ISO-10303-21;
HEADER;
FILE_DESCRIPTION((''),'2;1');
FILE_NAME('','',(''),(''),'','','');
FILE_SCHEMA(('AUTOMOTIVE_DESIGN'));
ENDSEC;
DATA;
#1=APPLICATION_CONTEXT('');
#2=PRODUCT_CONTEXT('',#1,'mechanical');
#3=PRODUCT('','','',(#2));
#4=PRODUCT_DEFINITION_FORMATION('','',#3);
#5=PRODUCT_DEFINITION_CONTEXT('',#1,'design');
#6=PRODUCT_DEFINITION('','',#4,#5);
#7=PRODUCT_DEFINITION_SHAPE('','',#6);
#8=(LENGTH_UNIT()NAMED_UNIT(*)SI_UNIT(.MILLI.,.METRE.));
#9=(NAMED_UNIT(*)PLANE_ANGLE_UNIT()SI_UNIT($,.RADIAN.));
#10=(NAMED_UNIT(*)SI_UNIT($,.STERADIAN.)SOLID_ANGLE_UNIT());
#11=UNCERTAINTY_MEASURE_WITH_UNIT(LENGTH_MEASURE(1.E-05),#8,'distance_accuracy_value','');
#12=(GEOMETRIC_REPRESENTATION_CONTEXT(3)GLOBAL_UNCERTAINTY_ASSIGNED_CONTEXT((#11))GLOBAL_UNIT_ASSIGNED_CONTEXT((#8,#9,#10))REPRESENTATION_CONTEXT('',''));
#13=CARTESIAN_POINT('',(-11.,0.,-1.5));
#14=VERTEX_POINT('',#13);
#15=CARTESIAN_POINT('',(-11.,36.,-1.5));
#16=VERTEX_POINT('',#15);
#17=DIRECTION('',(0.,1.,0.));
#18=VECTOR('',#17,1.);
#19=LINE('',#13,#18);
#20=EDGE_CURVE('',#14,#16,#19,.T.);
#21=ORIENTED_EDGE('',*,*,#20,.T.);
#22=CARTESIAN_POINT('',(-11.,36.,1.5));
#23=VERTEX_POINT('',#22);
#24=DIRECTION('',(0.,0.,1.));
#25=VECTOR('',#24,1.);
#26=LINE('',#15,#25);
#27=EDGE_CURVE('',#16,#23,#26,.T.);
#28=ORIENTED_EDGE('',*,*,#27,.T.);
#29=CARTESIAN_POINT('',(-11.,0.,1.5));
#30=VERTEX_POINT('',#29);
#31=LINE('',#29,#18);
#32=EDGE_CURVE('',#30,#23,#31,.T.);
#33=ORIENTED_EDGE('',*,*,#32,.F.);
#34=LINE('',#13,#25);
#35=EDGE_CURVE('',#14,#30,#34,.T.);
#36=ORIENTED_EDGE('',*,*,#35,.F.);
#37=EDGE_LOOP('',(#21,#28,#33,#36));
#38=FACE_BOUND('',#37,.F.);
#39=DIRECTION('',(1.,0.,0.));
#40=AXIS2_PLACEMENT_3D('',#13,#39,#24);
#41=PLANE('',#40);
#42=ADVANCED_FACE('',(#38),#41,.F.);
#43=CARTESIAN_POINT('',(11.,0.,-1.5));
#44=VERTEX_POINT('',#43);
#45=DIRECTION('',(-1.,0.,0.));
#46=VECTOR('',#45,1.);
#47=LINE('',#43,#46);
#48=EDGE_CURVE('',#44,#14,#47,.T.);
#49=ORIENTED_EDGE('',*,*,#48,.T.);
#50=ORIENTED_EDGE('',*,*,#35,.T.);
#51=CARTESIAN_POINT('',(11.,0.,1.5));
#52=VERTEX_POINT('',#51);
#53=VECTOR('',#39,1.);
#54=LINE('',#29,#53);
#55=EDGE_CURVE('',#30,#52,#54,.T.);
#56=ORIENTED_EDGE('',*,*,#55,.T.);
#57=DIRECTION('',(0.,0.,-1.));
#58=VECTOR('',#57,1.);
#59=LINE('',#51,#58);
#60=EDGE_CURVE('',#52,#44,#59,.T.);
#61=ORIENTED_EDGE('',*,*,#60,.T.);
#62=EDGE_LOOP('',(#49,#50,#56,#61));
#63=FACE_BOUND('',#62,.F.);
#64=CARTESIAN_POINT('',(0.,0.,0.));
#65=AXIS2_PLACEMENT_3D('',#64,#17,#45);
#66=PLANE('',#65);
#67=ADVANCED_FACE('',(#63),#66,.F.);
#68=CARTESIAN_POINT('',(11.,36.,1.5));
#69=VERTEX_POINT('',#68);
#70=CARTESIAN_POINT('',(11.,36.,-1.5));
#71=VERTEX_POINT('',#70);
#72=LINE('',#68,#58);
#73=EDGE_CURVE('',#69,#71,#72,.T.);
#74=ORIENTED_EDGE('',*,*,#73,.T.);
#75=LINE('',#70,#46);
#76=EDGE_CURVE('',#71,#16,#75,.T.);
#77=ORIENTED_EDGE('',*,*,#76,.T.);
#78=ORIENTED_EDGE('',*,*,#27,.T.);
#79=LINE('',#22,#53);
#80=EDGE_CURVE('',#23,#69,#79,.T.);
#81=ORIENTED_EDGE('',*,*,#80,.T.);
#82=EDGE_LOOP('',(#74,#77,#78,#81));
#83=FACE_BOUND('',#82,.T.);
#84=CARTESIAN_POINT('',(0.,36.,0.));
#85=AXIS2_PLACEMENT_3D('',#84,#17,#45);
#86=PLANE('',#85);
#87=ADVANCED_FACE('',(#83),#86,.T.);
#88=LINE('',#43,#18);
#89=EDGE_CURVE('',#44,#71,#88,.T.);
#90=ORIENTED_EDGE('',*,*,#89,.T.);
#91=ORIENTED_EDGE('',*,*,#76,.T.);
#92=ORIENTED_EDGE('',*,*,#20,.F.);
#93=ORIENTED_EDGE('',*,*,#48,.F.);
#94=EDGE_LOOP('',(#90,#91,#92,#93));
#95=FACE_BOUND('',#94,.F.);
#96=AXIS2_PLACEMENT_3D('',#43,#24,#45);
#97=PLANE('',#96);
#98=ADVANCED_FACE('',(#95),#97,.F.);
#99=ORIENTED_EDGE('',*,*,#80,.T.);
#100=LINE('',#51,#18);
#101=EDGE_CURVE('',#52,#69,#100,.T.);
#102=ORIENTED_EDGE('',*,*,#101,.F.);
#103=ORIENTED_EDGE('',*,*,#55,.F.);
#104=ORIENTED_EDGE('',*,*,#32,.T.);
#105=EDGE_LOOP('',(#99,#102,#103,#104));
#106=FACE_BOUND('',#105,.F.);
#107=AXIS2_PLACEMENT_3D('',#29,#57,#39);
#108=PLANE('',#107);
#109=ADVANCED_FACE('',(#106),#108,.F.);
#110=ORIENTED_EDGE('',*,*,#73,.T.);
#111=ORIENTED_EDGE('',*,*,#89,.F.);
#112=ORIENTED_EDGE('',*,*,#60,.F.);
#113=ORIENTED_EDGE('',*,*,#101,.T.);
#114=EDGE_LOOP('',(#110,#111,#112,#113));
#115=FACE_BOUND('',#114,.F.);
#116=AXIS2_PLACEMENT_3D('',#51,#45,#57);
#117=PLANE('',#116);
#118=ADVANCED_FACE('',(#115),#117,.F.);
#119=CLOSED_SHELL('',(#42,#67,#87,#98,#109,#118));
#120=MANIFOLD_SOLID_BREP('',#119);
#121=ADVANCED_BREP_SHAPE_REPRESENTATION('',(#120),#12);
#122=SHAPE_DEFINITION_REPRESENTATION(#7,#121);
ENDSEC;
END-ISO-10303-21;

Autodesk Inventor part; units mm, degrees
ref_plane "YZ Plane" through (0, 0, 0) normal (1, 0, 0) x (0, 1, 0)
ref_plane "XZ Plane" through (0, 0, 0) normal (0, 1, 0) x (-1, 0, 0)
ref_plane "XY Plane" through (0, 0, 0) normal (0, 0, 1) x (1, 0, 0)
sketch "Boceto1" plane through (0, 0, 0) normal (0, 1, 0) x (-1, 0, 0)
  line L0 (-11, -1.5) -> (11, -1.5)
  line L1 (11, -1.5) -> (11, 1.5)
  line L2 (11, 1.5) -> (-11, 1.5)
  line L3 (-11, 1.5) -> (-11, -1.5)
  line L4 (-11, -1.5) -> (11, 1.5) construction
  line L5 (11, -1.5) -> (-11, 1.5) construction
  point P0 (0, 0)
  dimension "d0" = 22
  dimension "d1" = 3
extrude "Extrusión1" add sketch "Boceto1" along normal blind 36
properties part number "base_bateria1" material "Cristal"
